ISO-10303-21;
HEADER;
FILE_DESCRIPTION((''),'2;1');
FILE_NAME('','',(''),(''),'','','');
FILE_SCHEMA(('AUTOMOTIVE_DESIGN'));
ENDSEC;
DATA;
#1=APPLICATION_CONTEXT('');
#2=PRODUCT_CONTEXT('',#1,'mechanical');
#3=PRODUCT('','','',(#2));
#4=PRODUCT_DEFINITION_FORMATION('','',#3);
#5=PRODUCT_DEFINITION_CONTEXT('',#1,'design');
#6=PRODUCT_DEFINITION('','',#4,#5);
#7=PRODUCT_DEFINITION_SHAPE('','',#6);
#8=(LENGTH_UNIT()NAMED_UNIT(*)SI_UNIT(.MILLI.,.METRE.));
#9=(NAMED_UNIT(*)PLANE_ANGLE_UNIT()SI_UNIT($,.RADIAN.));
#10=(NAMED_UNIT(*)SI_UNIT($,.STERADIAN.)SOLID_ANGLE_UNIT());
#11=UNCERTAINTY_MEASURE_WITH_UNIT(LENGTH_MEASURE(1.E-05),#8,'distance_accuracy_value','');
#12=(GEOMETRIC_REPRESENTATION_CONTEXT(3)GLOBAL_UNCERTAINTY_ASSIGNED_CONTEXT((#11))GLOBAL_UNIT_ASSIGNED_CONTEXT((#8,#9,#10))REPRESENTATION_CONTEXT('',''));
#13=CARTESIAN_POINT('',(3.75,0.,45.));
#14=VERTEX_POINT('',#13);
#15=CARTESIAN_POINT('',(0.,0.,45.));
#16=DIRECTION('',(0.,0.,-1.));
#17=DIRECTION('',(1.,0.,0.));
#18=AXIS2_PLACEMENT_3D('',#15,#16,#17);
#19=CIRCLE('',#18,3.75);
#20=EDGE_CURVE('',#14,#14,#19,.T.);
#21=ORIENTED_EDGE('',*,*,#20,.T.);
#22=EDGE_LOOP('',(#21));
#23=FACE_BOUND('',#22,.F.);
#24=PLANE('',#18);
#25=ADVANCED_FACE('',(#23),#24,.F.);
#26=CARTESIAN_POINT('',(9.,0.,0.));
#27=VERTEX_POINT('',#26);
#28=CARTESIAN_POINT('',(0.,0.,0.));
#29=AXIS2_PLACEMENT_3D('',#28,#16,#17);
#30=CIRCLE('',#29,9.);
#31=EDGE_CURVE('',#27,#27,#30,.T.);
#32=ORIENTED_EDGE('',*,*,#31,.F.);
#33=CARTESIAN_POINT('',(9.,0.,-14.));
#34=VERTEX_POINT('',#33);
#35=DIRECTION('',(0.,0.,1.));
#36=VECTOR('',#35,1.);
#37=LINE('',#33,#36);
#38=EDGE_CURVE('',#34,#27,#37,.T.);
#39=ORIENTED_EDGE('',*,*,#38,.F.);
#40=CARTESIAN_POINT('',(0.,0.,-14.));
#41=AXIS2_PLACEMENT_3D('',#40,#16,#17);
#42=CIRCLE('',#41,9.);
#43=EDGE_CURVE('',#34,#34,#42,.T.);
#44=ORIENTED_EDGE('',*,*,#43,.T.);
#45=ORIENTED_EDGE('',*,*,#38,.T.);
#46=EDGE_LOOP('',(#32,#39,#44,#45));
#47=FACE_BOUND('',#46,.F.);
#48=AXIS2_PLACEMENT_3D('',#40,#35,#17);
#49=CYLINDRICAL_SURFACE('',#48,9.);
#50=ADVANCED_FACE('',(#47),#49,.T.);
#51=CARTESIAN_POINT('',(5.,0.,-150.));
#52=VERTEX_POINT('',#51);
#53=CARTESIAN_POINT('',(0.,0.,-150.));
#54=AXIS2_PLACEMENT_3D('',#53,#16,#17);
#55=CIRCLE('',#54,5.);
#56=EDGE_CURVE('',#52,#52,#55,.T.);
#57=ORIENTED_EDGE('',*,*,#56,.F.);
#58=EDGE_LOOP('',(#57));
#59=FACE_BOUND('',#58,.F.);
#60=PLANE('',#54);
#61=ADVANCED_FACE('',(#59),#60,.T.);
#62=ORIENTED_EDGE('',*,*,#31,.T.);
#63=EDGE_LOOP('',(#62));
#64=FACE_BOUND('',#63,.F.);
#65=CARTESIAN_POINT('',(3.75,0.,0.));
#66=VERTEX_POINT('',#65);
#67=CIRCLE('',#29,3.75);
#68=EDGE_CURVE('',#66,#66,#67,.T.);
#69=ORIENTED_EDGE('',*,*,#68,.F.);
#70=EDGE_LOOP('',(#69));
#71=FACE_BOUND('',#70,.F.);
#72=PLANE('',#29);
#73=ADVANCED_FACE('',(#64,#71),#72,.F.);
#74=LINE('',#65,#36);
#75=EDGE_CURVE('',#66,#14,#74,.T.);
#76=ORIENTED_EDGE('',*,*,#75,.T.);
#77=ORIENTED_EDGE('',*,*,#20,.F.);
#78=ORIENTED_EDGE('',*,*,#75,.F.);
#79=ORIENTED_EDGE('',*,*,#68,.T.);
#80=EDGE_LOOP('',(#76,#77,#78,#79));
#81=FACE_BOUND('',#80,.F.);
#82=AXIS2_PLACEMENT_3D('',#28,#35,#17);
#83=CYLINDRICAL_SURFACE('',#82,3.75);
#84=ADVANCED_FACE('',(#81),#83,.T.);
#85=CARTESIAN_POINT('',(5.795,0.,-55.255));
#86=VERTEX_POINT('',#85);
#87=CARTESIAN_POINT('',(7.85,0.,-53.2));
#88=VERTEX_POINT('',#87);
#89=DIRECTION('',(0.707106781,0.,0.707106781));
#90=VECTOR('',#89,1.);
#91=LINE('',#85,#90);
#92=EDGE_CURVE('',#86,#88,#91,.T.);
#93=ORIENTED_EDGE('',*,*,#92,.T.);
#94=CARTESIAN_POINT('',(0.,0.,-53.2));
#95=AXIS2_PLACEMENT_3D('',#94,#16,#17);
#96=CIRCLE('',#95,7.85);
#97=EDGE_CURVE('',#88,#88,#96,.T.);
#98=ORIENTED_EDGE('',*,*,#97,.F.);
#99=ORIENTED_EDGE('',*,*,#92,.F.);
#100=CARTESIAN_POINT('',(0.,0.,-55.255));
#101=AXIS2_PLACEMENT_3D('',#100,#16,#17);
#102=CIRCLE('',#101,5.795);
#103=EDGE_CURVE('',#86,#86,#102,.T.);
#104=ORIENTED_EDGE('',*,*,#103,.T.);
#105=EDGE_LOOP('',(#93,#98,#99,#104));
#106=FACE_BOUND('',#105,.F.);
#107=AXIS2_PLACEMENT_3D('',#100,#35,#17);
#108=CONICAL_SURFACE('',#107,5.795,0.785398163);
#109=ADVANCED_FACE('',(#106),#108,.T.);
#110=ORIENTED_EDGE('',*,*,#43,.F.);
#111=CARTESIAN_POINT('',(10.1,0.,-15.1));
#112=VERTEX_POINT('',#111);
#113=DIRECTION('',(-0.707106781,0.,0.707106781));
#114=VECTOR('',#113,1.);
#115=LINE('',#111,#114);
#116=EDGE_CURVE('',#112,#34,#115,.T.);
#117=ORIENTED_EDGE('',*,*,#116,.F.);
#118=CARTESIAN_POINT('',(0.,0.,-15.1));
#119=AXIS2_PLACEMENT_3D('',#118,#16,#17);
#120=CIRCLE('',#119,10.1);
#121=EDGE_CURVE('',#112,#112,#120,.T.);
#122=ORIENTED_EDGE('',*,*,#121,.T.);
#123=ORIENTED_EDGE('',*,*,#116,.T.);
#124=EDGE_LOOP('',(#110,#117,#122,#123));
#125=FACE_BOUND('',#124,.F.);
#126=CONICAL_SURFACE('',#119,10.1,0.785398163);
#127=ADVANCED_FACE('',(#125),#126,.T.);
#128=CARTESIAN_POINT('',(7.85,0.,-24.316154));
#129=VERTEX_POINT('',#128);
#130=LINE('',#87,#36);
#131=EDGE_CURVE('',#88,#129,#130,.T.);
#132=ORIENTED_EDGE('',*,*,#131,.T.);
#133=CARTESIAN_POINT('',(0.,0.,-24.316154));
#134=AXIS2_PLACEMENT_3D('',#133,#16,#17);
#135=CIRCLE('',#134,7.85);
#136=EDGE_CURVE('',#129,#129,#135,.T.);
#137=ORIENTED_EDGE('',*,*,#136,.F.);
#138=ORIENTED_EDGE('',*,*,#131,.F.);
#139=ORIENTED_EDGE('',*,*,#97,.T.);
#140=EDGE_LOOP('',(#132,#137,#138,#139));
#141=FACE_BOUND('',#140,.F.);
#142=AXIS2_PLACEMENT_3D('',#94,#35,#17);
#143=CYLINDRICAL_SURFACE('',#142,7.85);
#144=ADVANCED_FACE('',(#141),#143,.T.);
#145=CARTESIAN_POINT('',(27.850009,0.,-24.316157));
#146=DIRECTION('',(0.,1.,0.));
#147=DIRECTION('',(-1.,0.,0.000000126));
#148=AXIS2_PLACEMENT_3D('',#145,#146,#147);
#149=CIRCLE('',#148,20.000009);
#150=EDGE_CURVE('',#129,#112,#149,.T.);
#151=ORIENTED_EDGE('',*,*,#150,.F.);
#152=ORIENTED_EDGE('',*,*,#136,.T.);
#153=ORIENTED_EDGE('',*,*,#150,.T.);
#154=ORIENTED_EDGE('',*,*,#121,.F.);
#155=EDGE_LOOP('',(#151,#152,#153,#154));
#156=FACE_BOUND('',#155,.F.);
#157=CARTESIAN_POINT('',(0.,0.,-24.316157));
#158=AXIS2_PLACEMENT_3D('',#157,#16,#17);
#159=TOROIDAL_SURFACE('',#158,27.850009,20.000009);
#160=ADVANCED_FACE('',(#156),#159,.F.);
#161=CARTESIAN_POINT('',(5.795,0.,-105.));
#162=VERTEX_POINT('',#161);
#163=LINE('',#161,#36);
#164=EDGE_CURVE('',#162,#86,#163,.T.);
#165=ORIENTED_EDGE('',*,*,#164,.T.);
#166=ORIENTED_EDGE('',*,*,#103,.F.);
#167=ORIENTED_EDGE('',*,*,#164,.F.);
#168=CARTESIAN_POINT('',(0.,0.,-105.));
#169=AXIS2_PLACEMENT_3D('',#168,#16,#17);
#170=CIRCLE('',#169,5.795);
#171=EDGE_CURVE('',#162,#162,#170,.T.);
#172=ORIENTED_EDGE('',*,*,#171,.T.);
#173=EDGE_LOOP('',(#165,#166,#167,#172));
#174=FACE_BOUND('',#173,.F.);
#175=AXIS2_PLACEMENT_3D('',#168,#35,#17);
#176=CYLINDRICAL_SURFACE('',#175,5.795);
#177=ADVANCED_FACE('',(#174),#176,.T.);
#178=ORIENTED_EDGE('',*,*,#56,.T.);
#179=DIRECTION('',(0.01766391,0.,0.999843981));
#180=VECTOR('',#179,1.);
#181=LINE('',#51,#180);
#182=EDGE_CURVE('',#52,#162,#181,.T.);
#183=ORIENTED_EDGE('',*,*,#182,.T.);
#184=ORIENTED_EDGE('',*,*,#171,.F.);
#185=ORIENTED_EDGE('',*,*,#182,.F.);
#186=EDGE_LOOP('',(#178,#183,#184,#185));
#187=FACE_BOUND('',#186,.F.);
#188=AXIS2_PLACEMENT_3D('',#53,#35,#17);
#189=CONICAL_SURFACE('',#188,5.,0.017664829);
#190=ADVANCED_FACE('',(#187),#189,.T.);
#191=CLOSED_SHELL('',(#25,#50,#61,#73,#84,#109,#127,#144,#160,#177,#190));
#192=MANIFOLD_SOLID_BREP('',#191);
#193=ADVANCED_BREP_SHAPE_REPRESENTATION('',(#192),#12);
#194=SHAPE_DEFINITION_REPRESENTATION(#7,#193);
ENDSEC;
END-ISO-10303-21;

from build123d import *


with BuildPart() as f1:
    # F0 (on Front) → F1 (revolve)
    with BuildSketch(Plane.XZ):
        with BuildLine():
            Line((0, 45), (0, -150))
            Line((0, -150), (5, -150))
            Line((5, -150), (5.795, -105))
            Line((5.795, -105), (5.795, -55.255))
            Line((5.795, -55.255), (7.85, -53.2))
            Line((7.85, -53.2), (7.85, -24.316154))
            ThreePointArc((7.85, -24.316154), (8.420641, -19.572738), (10.1, -15.1))
            Line((10.1, -15.1), (9, -14))
            Line((9, -14), (9, 0))
            Line((9, 0), (3.75, 0))
            Line((3.75, 0), (3.75, 45))
            Line((3.75, 45), (0, 45))
        make_face()
    revolve(axis=Axis((0, 0, -52.5), (0, 0, -1)))


solid = f1.part
